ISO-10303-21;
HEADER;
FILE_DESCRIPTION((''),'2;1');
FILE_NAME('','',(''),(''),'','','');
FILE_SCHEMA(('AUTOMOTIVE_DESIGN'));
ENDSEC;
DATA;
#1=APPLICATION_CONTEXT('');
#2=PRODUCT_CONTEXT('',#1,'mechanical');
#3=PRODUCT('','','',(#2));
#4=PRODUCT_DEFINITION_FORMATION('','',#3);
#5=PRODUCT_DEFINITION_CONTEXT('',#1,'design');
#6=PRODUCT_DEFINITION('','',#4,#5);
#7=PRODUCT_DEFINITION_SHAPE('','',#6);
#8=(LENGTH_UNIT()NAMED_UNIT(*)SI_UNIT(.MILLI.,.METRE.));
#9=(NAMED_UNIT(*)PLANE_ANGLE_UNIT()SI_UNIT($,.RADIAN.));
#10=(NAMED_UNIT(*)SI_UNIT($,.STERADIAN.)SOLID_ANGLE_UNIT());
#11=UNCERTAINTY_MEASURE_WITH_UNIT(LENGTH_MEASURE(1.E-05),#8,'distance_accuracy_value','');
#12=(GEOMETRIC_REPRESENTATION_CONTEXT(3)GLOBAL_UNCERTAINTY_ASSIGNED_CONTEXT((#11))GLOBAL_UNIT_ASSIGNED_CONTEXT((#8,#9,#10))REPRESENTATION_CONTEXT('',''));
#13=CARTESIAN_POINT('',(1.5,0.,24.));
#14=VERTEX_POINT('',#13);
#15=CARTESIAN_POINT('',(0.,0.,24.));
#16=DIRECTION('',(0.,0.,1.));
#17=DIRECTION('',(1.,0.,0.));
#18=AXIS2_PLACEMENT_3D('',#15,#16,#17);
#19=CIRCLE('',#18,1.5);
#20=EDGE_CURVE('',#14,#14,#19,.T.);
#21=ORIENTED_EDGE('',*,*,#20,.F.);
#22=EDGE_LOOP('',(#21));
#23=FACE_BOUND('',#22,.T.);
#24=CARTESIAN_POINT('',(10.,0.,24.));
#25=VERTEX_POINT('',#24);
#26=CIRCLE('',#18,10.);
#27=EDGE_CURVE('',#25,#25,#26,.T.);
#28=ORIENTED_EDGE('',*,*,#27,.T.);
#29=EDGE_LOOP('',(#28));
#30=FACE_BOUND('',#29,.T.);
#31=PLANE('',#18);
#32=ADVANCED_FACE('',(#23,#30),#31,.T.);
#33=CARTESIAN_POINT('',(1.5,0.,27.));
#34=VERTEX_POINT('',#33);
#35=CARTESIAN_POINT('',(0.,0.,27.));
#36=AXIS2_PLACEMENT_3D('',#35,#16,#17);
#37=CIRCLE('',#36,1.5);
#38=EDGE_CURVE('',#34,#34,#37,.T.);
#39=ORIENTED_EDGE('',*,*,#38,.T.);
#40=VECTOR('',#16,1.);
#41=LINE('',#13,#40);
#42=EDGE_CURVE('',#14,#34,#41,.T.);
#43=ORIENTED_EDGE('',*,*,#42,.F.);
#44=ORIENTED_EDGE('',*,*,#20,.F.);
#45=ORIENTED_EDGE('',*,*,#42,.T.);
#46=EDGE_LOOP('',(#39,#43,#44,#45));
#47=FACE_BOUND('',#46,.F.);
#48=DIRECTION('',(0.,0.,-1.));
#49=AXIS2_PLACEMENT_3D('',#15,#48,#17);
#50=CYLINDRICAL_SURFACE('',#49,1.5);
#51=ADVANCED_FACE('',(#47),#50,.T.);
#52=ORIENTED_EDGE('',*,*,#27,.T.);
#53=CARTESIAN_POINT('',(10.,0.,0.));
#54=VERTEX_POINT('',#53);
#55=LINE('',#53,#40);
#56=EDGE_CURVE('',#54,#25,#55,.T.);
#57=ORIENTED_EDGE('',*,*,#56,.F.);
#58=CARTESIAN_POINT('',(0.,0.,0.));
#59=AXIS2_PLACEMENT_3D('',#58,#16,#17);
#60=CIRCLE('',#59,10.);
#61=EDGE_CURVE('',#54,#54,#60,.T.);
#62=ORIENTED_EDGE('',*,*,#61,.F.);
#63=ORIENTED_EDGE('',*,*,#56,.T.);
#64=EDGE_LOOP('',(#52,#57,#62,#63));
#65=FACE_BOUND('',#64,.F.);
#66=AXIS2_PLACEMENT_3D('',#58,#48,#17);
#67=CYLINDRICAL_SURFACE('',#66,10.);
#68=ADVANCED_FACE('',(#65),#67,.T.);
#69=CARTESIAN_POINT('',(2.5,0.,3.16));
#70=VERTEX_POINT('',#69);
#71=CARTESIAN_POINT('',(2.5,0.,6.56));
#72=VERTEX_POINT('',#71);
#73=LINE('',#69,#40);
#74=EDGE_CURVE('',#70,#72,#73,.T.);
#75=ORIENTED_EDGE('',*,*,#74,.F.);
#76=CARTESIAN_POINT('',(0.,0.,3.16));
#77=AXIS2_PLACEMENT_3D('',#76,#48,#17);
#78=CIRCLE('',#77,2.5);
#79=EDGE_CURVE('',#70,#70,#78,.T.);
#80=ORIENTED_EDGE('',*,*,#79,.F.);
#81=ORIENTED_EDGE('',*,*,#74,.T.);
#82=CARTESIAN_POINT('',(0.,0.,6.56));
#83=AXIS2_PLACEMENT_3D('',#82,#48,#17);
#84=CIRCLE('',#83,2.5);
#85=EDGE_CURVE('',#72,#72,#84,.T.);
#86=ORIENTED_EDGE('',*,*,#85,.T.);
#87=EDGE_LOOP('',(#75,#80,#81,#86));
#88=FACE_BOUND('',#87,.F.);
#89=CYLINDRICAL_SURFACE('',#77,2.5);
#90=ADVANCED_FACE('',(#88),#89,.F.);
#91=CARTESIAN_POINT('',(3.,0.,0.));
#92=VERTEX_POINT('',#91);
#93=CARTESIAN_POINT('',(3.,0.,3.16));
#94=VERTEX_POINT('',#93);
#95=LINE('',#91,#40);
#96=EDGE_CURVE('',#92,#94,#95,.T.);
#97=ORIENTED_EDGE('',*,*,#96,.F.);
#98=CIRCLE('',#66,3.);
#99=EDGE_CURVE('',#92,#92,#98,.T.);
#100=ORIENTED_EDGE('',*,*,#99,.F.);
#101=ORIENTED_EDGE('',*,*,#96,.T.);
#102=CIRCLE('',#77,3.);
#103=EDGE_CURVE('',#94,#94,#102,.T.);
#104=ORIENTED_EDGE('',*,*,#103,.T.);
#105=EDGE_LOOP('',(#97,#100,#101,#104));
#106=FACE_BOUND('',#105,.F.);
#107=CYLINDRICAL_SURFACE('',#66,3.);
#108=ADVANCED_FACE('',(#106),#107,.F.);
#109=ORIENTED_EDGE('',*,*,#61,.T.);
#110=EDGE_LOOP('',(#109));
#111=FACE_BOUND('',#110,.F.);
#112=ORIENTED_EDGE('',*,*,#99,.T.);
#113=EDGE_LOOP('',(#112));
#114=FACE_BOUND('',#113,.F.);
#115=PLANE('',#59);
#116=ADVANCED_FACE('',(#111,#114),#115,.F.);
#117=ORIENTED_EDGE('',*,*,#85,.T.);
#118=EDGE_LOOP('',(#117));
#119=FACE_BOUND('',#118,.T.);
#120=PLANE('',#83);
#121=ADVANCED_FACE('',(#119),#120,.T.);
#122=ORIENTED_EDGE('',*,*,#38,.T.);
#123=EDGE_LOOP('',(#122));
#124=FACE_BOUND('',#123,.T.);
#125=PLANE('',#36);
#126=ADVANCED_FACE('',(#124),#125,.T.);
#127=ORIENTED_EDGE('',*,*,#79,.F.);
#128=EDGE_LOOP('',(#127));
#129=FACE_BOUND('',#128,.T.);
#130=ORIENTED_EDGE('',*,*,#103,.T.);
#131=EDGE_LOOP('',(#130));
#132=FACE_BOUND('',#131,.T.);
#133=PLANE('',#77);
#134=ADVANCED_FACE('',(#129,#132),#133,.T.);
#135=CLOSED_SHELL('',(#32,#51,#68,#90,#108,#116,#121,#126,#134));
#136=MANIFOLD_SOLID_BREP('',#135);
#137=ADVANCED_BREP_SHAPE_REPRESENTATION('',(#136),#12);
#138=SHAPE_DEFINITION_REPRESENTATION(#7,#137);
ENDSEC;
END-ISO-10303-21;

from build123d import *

# Parameters (mm, degrees)
SKETCH_R        = 10
PAD_DEPTH       = 24
SKETCH001_R     = 1.5
PAD001_DEPTH    = 3
SKETCH002_R     = 3
POCKET_DEPTH    = 3.16
SKETCH003_R     = 2.5
POCKET001_DEPTH = 3.4


with BuildPart() as part:
    # Sketch → Pad (new body)
    with BuildSketch(Plane.XY):
        Circle(SKETCH_R)
    extrude(amount=PAD_DEPTH)

    # Sketch001 → Pad001 (new body)
    with BuildSketch(Plane.XY.offset(24)):
        Circle(SKETCH001_R)
    extrude(amount=PAD001_DEPTH)

    # Sketch002 → Pocket (cut)
    with BuildSketch(Plane(origin=(0, 0, 0), x_dir=(1, 0, 0), z_dir=(0, 0, -1))):
        Circle(SKETCH002_R)
    extrude(amount=-POCKET_DEPTH, mode=Mode.SUBTRACT)

    # Sketch003 → Pocket001 (cut)
    with BuildSketch(Plane(origin=(0, 0, 3.16), x_dir=(1, 0, 0), z_dir=(0, 0, -1))):
        Circle(SKETCH003_R)
    extrude(amount=-POCKET001_DEPTH, mode=Mode.SUBTRACT)


solid = part.part
